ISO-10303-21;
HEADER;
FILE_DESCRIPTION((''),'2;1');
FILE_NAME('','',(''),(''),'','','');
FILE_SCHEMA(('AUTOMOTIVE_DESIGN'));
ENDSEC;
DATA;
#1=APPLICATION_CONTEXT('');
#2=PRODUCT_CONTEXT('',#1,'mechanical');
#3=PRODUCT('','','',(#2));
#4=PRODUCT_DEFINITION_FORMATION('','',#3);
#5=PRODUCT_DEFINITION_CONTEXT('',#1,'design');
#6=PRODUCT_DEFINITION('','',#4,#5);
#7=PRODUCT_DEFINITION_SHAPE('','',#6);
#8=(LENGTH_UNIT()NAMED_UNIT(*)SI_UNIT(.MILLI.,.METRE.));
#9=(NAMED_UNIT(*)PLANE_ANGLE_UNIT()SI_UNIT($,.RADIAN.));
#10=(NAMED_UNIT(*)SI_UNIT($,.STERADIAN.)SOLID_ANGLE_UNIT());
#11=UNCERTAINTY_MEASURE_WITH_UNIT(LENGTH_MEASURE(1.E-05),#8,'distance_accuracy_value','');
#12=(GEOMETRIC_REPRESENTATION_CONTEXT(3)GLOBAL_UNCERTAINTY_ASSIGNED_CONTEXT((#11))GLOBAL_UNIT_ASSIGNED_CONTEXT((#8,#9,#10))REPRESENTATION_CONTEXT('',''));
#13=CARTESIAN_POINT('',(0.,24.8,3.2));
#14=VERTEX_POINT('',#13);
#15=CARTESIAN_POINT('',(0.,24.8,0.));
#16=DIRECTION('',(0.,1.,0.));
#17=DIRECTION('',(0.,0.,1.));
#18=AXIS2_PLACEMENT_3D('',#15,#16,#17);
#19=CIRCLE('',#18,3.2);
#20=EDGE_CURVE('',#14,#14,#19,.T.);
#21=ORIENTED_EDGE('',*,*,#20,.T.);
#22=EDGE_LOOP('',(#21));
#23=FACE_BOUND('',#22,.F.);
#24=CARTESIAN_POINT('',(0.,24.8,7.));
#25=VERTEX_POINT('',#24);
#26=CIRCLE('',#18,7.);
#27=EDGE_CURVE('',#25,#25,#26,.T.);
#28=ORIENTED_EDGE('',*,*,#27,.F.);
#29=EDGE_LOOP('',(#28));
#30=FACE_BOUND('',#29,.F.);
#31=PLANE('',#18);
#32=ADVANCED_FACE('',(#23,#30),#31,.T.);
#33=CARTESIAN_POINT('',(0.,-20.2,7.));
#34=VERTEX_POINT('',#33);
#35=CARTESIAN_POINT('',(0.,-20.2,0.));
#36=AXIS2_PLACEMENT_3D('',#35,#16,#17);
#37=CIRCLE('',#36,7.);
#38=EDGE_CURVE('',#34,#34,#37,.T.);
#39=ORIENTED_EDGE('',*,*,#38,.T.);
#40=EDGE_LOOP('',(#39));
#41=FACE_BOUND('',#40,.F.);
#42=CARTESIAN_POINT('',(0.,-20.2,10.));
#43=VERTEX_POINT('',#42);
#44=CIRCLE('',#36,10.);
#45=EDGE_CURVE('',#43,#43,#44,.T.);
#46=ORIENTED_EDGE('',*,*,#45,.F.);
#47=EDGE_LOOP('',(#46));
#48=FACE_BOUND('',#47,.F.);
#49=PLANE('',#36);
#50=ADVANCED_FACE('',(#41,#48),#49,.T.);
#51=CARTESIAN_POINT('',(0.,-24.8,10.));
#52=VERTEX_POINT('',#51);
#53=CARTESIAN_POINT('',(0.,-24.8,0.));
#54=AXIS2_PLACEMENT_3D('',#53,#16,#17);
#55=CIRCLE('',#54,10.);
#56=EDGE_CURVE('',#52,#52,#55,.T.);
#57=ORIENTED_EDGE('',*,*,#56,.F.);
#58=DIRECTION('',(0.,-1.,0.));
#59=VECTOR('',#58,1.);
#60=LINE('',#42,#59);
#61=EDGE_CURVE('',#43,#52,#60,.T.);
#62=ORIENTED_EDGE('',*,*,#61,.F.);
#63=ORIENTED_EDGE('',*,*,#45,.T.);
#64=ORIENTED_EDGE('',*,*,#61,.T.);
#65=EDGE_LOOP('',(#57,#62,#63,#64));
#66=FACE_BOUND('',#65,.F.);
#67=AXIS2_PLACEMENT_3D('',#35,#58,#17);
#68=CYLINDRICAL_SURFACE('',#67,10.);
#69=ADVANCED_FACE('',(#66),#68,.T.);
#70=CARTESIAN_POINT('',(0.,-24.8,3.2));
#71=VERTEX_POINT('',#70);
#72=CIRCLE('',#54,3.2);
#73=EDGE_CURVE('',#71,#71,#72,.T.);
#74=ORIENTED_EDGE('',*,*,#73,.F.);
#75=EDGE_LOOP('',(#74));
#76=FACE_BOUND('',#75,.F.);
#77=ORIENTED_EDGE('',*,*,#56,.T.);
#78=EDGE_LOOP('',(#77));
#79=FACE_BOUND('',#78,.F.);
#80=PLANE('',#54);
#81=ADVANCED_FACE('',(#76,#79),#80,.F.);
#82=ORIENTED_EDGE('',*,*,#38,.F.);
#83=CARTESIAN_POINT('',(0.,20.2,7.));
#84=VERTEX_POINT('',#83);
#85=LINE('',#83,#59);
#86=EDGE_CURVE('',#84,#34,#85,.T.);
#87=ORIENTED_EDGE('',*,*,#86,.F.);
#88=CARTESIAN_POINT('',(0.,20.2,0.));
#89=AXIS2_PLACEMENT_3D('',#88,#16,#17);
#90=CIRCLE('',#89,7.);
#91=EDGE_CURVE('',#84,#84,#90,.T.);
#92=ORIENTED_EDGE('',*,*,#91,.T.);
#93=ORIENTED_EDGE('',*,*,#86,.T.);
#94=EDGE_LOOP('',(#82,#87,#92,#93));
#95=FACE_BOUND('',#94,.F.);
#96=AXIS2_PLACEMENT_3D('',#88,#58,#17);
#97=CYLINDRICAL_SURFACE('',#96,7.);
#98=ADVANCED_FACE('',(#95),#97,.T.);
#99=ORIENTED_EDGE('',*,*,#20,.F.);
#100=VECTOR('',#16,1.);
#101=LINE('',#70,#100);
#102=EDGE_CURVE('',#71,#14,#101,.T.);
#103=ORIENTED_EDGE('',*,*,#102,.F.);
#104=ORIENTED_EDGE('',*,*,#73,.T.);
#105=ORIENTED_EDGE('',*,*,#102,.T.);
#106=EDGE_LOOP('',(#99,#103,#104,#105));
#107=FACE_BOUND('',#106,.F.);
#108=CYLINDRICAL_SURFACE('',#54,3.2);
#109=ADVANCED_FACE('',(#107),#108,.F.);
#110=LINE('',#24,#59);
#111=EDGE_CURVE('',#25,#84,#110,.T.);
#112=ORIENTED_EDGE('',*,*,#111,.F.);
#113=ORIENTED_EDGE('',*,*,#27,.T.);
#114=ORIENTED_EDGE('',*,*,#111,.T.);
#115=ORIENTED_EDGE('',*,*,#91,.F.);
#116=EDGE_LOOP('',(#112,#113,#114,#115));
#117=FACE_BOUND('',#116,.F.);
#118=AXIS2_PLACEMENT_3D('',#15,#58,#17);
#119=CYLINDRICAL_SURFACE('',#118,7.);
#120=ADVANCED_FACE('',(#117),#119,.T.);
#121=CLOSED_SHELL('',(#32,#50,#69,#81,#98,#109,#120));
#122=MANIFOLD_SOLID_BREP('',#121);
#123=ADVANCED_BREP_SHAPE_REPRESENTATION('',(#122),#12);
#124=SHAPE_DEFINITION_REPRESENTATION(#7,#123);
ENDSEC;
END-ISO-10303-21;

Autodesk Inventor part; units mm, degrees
ref_plane "YZ Plane" through (0, 0, 0) normal (1, 0, 0) x (0, 1, 0)
ref_plane "XZ Plane" through (0, 0, 0) normal (0, 1, 0) x (-1, 0, 0)
ref_plane "XY Plane" through (0, 0, 0) normal (0, 0, 1) x (1, 0, 0)
sketch "Sketch1" plane through (0, 0, 0) normal (1, 0, 0) x (0, 1, 0)
  line L0 (-20.2, 10) -> (-24.8, 10)
  line L1 (-24.8, 10) -> (-24.8, 3.2)
  line L2 (20.2, 7) -> (-20.2, 7)
  line L3 (-20.2, 7) -> (-20.2, 10)
  line L4 (0, 12) -> (0, -2) construction
  line L5 (-34.72, 0) -> (34.72, 0) construction
  line L6 (-24.8, 3.2) -> (24.8, 3.2)
  line L7 (24.8, 3.2) -> (24.8, 7)
  line L8 (24.8, 7) -> (20.2, 7)
  point P0 (0, 0)
  dimension "d5" = 40.4
  dimension "d12" = 3
  dimension "d13" = 10
  dimension "d14" = 3.2
revolve "Revolution1" add sketch "Sketch1" angle 360 about axis through (0, 0, 0) along (0, 1, 0)
properties part number "unwind_roller"
